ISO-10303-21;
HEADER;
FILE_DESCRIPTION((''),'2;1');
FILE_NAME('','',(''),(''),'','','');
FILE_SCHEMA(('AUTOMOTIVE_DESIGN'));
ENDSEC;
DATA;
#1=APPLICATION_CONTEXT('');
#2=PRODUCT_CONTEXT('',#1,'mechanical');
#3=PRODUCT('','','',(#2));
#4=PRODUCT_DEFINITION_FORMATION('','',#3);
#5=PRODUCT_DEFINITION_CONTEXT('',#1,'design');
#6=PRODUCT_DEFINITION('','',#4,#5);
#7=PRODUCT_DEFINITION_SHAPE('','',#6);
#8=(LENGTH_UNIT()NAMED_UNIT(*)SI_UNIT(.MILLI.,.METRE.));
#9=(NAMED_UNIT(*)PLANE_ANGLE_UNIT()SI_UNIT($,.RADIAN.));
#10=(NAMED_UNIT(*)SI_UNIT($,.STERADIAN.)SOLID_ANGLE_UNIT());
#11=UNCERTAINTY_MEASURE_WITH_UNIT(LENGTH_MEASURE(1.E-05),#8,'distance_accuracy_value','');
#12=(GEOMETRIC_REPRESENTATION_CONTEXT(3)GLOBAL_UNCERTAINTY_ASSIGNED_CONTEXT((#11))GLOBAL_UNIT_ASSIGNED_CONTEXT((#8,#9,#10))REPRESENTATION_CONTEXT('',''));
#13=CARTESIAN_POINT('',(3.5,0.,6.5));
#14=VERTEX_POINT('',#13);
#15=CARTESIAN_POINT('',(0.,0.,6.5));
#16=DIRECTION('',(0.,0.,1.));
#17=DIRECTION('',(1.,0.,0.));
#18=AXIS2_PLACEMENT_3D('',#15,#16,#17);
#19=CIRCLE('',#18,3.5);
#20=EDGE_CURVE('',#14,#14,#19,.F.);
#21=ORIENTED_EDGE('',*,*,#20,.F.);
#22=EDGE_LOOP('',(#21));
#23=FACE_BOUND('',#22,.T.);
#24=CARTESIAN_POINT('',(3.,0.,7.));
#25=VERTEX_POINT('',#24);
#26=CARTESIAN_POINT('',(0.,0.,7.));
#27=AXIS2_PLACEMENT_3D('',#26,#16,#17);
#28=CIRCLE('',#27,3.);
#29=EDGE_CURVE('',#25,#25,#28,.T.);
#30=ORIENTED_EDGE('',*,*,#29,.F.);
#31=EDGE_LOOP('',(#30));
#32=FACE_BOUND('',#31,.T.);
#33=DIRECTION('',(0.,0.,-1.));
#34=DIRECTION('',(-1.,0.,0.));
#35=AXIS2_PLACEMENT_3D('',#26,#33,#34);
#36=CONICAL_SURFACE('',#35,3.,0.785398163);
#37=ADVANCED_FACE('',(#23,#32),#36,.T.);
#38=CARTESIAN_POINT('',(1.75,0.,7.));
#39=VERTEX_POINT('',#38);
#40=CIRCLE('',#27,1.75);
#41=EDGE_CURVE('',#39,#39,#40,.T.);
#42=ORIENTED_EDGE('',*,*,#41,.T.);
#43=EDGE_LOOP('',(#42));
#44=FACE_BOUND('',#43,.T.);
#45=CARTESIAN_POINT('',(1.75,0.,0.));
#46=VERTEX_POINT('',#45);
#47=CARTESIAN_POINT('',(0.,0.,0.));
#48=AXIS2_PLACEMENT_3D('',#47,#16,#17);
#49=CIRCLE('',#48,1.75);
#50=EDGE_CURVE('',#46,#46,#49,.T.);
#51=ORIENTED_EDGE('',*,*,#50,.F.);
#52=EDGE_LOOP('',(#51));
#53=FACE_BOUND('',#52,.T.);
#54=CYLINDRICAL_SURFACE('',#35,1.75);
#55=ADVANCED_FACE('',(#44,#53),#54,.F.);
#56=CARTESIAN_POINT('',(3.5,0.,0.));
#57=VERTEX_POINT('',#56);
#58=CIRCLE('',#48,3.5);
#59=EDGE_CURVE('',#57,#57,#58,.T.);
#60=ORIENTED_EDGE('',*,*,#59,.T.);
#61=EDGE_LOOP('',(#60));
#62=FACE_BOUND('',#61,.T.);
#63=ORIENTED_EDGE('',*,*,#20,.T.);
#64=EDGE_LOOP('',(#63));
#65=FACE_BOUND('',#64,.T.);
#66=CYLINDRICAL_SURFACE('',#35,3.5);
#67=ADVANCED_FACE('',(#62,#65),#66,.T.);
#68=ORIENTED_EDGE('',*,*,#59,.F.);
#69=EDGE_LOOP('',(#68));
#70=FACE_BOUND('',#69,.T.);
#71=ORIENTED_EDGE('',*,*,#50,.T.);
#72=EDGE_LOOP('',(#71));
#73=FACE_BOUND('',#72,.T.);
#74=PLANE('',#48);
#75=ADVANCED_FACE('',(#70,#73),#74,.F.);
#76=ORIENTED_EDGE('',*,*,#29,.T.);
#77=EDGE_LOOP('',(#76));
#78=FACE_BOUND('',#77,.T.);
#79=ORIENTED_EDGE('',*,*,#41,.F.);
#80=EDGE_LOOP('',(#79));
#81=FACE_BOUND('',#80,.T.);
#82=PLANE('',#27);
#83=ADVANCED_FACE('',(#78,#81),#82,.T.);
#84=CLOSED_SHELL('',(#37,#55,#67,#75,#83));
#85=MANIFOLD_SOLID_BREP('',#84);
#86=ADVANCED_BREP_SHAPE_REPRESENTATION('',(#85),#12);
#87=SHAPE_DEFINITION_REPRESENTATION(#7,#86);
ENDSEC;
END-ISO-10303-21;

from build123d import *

# Parameters (mm, degrees)
SKETCH_1_R      = 3.5
SKETCH_1_R_2    = 1.75
EXTRUDE_1_DEPTH = 7
CHAMFER_2_SIZE  = 0.5


with BuildPart() as part:
    # Эскиз1 → Бобышка-Вытянуть1 (new body)
    with BuildSketch(Plane.XY):
        Circle(SKETCH_1_R)
        Circle(SKETCH_1_R_2, mode=Mode.SUBTRACT)
    extrude(amount=EXTRUDE_1_DEPTH)

    # Фаска2
    chamfer_2_edges = [part.edges().sort_by_distance(p)[0] for p in [
        (-3.5, 0, 7),
    ]]
    chamfer(chamfer_2_edges, length=CHAMFER_2_SIZE)


solid = part.part
